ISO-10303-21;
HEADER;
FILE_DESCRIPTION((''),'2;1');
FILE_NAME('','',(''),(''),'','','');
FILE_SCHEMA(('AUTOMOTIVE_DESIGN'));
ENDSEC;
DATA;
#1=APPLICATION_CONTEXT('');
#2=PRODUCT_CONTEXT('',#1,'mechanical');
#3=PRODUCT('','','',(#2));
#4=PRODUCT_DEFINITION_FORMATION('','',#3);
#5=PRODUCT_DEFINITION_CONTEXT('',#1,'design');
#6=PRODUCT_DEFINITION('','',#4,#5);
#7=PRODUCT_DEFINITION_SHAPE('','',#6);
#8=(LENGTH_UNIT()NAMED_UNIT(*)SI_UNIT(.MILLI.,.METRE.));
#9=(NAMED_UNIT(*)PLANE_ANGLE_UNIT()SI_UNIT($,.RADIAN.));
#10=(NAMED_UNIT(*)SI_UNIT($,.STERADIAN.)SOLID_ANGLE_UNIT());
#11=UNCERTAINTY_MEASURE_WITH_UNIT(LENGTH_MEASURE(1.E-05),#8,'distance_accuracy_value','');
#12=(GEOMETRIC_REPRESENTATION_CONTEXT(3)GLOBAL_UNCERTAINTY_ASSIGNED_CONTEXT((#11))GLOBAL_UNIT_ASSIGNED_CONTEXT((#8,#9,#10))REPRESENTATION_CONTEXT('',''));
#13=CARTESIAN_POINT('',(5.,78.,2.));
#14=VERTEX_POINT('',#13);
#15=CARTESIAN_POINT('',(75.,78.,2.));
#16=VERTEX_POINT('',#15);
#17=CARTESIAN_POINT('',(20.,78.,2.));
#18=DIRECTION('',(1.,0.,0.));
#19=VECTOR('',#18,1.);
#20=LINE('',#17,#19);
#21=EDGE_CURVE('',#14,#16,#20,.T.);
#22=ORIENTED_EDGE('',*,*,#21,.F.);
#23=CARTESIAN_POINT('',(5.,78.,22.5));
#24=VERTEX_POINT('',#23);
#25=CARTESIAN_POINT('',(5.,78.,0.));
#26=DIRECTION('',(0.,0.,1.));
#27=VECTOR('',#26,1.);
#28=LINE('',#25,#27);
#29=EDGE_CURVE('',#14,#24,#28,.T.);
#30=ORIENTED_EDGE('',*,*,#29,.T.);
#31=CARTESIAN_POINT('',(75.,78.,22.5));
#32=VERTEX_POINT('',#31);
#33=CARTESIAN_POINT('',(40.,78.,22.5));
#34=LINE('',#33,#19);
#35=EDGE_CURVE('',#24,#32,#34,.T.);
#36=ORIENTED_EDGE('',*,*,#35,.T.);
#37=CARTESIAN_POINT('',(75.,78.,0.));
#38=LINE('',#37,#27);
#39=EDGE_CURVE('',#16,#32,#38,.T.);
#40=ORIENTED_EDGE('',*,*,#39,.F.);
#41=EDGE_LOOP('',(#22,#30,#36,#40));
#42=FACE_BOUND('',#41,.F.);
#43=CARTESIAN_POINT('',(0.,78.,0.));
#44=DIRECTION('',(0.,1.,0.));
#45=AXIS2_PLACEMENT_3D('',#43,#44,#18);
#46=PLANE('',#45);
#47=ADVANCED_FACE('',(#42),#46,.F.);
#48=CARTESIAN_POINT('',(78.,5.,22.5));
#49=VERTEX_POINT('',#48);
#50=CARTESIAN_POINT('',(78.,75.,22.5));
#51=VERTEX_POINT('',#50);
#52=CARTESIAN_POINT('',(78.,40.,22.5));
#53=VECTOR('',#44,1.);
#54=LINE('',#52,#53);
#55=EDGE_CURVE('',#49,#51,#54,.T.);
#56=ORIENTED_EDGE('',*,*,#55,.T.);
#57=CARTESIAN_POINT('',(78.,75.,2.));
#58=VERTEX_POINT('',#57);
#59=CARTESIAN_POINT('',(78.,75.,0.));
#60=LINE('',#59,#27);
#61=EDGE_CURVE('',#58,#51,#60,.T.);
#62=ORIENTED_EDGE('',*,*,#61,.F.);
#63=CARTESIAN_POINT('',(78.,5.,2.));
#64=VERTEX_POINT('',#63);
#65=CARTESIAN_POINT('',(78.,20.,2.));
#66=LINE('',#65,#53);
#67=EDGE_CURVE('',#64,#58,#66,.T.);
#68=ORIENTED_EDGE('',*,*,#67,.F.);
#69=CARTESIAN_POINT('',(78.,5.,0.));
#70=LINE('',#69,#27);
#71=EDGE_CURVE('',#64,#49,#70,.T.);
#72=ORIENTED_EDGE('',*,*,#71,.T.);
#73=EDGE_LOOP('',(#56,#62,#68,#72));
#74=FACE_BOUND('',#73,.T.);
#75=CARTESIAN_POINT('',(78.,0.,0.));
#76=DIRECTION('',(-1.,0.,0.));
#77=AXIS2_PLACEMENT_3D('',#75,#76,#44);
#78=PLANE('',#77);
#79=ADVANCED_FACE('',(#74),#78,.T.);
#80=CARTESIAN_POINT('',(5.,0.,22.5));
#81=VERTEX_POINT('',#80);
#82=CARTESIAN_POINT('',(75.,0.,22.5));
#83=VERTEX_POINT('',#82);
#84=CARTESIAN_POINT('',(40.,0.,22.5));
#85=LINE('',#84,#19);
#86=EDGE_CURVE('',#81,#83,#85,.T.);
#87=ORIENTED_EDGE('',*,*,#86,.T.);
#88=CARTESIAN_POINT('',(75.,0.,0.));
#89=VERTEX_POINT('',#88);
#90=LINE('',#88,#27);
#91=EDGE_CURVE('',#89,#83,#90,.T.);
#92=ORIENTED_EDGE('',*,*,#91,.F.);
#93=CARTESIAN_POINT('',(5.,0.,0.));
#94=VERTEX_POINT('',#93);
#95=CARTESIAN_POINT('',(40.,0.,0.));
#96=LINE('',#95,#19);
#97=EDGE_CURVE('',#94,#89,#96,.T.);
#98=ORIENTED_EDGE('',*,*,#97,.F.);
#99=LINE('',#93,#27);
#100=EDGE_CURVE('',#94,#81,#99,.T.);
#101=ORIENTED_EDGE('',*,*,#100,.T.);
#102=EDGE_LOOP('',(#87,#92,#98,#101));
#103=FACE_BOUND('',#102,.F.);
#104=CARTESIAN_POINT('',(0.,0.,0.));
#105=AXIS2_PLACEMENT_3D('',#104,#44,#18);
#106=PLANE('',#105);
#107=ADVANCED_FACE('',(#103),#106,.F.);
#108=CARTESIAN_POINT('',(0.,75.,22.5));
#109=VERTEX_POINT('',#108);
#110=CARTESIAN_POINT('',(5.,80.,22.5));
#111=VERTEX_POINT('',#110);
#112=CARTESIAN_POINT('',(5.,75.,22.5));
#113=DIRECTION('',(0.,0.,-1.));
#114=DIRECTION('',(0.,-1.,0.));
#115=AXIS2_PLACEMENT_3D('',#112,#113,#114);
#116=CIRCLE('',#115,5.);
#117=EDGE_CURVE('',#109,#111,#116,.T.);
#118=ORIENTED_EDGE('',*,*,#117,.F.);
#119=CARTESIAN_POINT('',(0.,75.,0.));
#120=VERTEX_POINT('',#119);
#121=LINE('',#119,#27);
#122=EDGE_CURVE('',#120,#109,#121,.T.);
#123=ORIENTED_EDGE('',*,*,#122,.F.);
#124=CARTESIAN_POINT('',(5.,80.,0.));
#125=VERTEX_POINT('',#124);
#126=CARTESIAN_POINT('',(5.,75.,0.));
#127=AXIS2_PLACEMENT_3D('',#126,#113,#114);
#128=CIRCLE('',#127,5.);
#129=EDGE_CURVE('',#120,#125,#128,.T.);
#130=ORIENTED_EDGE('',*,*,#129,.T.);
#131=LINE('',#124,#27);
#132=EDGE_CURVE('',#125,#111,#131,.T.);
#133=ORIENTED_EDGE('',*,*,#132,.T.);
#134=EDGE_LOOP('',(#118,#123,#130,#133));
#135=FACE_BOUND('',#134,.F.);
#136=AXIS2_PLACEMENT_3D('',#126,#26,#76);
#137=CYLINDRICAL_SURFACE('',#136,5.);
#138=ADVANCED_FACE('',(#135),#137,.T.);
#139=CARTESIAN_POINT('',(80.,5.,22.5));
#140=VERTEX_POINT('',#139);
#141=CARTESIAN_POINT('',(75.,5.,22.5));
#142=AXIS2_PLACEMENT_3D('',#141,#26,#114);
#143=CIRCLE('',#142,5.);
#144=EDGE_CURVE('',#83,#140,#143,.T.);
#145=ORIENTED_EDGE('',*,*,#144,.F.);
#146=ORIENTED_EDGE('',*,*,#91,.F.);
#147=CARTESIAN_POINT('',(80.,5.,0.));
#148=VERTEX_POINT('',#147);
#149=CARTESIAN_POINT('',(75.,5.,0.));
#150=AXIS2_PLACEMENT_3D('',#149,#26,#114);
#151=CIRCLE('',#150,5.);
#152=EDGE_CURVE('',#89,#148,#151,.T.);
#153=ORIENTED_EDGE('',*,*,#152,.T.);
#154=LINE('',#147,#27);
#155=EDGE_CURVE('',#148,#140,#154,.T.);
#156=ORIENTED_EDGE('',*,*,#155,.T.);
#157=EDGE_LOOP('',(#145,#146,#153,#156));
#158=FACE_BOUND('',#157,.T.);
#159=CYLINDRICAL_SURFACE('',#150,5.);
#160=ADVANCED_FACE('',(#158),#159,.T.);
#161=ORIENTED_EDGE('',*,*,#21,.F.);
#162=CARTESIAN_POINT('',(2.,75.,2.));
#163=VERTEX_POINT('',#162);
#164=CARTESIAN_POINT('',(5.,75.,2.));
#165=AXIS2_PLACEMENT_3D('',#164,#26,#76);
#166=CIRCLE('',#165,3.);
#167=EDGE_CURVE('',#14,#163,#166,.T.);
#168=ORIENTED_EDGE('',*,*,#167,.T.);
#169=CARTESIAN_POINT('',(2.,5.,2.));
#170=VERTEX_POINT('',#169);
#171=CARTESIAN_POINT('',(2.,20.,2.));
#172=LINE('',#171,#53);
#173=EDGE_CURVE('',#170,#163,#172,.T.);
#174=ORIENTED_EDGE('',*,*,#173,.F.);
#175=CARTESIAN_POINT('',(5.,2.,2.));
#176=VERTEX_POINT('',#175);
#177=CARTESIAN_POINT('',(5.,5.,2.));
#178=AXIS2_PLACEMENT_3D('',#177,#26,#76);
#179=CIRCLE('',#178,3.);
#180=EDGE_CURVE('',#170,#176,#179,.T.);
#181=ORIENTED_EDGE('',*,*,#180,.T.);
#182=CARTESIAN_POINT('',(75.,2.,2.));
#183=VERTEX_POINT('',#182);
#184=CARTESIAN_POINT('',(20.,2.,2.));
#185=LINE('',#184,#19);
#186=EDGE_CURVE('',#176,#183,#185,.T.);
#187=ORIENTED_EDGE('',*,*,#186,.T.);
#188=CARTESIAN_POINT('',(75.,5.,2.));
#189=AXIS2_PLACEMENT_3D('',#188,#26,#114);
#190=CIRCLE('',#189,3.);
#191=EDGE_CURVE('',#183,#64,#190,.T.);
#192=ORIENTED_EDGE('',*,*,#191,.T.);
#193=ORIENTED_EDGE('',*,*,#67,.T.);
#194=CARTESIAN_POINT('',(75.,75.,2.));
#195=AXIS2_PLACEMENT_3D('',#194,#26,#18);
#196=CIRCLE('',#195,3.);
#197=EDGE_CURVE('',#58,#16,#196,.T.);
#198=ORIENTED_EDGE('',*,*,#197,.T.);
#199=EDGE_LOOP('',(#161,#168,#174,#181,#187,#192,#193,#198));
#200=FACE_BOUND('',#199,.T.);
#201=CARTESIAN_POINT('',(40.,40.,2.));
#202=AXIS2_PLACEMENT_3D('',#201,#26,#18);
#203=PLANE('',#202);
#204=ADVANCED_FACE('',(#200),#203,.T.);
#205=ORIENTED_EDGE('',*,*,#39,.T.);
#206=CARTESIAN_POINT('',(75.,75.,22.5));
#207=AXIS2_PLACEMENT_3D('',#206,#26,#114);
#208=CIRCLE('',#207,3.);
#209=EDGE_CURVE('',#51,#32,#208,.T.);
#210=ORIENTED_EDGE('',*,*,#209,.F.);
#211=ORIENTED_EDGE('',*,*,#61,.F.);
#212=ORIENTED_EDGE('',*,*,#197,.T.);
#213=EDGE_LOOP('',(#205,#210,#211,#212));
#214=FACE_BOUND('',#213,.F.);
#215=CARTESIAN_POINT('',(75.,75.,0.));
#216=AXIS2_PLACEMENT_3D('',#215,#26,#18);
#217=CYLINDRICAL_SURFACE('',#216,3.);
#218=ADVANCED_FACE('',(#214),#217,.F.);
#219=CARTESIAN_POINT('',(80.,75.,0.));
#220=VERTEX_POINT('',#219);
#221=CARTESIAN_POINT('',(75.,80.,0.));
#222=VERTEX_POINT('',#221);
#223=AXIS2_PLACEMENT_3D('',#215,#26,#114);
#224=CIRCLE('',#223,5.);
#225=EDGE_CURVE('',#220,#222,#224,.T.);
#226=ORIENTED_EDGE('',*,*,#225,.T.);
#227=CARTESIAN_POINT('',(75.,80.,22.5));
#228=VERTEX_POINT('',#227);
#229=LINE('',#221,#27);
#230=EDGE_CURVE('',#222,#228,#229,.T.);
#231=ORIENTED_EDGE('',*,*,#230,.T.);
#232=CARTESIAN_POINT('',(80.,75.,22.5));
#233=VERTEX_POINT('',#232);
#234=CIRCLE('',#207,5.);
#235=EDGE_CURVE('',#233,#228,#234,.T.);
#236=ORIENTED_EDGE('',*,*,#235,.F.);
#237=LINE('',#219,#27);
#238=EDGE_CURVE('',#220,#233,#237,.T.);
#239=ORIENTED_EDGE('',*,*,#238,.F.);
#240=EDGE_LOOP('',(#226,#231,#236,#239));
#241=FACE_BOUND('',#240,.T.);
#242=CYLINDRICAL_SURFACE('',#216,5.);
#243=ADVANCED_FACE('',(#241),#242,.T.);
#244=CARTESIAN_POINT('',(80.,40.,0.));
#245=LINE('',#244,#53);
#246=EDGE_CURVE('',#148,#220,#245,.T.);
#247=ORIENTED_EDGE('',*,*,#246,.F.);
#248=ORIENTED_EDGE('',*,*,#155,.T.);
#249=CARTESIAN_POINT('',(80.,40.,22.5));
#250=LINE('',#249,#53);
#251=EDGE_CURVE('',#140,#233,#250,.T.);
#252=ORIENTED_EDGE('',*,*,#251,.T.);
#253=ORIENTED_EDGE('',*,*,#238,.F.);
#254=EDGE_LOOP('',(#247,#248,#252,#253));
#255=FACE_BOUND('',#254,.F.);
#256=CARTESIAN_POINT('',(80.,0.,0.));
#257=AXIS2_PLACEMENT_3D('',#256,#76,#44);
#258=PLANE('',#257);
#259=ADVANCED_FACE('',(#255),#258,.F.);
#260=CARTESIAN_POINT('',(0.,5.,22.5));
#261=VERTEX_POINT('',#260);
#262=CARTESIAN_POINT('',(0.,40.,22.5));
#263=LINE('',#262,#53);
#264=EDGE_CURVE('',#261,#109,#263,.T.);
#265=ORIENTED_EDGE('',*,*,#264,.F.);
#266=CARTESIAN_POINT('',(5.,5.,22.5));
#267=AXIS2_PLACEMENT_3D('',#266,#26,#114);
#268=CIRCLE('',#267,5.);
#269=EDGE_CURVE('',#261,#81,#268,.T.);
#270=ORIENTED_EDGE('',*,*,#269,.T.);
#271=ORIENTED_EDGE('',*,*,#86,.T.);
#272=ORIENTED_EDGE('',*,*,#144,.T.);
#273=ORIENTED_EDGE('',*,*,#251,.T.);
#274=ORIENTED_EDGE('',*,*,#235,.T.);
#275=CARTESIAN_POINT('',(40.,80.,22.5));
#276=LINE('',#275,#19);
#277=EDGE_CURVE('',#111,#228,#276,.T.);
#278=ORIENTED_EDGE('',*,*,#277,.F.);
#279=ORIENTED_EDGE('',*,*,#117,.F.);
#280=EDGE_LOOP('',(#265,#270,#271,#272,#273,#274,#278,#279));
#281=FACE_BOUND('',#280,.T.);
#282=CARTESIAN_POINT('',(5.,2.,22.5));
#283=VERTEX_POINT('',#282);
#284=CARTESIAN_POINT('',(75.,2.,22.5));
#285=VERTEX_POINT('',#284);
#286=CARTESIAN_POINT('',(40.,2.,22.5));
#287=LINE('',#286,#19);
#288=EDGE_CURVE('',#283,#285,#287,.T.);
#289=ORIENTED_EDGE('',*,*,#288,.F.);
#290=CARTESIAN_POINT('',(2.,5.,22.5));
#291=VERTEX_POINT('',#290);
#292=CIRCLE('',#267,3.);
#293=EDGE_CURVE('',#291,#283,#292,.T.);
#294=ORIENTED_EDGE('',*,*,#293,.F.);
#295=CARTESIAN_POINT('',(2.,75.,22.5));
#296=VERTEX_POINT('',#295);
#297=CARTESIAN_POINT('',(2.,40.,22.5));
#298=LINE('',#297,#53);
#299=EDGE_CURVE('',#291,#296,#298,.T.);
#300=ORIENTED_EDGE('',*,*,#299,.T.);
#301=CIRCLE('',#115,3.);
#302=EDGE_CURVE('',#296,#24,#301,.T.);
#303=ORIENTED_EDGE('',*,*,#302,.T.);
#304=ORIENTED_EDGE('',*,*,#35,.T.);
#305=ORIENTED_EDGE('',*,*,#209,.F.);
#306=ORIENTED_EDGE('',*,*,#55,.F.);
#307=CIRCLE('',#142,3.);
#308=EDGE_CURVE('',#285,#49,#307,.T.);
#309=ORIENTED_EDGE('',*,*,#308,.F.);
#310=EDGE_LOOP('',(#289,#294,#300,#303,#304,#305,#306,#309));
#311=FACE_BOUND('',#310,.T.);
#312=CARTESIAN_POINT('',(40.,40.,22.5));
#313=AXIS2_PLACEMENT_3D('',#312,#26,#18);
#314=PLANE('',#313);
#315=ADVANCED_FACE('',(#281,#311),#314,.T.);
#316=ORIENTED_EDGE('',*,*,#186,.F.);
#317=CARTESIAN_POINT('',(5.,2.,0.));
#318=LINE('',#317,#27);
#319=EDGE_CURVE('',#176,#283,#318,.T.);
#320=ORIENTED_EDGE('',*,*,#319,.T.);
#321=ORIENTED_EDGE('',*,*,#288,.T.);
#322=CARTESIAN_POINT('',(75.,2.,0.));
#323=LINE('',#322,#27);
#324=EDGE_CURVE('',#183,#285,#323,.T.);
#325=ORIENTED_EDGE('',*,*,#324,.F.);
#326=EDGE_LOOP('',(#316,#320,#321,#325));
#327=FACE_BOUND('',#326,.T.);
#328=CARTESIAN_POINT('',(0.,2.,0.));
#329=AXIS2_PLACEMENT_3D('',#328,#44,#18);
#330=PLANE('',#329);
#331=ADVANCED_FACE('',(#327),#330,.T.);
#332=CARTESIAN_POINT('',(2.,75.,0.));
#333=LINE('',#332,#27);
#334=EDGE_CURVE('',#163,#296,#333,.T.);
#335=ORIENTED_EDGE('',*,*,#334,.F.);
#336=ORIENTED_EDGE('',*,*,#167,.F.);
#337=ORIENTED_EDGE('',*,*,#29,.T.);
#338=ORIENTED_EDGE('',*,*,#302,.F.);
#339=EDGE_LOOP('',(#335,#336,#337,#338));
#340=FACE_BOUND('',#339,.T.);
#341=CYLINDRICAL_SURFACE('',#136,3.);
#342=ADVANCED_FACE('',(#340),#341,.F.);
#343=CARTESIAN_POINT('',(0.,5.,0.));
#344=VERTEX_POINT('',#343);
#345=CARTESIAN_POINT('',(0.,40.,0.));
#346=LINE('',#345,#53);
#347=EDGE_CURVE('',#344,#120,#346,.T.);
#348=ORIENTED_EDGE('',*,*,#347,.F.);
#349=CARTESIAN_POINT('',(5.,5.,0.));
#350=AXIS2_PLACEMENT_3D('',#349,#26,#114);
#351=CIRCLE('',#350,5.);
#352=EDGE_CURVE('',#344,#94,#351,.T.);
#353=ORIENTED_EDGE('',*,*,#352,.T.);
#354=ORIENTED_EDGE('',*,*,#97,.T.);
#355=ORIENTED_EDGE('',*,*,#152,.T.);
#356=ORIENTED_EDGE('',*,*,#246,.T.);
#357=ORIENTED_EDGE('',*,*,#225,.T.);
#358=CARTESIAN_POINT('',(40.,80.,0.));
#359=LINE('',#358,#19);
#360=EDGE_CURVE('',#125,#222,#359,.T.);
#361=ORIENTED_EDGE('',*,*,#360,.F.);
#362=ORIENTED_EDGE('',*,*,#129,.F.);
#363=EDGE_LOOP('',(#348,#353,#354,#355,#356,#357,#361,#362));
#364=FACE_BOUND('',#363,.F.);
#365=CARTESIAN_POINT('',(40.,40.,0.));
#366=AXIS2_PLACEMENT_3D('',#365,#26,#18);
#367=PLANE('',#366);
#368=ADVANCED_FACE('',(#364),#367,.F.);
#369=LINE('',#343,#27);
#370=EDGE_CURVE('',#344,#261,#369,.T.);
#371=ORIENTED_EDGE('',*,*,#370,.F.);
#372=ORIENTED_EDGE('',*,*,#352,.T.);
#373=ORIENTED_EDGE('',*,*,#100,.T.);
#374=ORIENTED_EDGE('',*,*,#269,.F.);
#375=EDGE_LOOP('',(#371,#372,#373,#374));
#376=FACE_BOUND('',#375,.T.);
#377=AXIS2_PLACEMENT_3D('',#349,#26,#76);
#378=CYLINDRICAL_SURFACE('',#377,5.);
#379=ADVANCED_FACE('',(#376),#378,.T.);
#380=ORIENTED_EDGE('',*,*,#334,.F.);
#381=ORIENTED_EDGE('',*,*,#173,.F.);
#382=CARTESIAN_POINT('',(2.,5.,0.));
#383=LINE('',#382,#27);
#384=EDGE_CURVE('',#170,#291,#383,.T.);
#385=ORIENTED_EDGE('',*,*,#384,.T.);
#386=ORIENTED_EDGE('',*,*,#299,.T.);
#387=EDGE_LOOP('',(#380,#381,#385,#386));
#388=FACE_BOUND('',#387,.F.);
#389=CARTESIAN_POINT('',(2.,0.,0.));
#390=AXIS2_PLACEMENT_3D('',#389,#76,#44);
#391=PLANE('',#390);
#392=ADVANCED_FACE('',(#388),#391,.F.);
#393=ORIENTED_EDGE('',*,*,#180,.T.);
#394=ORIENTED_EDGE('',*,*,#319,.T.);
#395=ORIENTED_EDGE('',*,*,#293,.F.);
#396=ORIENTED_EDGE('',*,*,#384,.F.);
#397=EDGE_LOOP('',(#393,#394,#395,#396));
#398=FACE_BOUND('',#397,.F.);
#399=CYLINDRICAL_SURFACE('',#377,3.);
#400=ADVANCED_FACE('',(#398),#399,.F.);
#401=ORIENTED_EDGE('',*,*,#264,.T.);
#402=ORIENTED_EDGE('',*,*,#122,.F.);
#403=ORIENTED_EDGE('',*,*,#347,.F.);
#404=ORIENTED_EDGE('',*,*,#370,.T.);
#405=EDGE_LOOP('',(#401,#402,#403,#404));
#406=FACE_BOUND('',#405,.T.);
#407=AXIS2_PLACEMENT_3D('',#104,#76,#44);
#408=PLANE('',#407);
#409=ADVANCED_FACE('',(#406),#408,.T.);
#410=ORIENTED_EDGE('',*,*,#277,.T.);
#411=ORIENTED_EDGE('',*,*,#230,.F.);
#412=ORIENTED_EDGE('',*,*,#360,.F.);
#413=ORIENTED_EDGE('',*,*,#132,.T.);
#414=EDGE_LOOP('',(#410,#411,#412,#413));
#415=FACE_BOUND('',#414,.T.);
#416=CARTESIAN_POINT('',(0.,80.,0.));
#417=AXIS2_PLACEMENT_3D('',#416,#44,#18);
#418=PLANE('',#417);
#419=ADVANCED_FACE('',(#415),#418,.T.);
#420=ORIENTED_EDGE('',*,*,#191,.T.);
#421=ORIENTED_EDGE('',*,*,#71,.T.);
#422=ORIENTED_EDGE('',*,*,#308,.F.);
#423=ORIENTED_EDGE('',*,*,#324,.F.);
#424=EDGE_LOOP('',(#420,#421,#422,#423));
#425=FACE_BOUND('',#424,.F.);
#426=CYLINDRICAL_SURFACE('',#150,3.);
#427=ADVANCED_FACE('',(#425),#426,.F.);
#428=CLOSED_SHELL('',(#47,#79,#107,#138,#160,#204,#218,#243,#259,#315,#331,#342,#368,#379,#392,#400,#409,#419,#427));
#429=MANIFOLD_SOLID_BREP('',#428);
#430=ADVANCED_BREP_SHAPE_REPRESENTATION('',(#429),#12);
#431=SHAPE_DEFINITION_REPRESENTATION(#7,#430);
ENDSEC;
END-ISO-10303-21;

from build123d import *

# Parameters (mm, degrees)
F0_W     = 80
F0_H     = 80
F1_DEPTH = 22.5
F2_R     = 5
F3_T     = -2


with BuildPart() as f1:
    # F0 (on Top) → F1 (new body)
    with BuildSketch(Plane.XY):
        with Locations((40, 40)):
            Rectangle(F0_W, F0_H)
    extrude(amount=F1_DEPTH)

    # F2
    f2_edges = [f1.edges().sort_by_distance(p)[0] for p in [
        (80, 0, 11.25),
        (80, 80, 11.25),
        (0, 80, 11.25),
        (0, 0, 11.25),
    ]]
    fillet(f2_edges, radius=F2_R)

    # F3
    f3_openings = [f1.faces().sort_by_distance(p)[0] for p in [
        (40, 40, 22.5),
    ]]
    offset(amount=F3_T, openings=f3_openings)


solid = f1.part
